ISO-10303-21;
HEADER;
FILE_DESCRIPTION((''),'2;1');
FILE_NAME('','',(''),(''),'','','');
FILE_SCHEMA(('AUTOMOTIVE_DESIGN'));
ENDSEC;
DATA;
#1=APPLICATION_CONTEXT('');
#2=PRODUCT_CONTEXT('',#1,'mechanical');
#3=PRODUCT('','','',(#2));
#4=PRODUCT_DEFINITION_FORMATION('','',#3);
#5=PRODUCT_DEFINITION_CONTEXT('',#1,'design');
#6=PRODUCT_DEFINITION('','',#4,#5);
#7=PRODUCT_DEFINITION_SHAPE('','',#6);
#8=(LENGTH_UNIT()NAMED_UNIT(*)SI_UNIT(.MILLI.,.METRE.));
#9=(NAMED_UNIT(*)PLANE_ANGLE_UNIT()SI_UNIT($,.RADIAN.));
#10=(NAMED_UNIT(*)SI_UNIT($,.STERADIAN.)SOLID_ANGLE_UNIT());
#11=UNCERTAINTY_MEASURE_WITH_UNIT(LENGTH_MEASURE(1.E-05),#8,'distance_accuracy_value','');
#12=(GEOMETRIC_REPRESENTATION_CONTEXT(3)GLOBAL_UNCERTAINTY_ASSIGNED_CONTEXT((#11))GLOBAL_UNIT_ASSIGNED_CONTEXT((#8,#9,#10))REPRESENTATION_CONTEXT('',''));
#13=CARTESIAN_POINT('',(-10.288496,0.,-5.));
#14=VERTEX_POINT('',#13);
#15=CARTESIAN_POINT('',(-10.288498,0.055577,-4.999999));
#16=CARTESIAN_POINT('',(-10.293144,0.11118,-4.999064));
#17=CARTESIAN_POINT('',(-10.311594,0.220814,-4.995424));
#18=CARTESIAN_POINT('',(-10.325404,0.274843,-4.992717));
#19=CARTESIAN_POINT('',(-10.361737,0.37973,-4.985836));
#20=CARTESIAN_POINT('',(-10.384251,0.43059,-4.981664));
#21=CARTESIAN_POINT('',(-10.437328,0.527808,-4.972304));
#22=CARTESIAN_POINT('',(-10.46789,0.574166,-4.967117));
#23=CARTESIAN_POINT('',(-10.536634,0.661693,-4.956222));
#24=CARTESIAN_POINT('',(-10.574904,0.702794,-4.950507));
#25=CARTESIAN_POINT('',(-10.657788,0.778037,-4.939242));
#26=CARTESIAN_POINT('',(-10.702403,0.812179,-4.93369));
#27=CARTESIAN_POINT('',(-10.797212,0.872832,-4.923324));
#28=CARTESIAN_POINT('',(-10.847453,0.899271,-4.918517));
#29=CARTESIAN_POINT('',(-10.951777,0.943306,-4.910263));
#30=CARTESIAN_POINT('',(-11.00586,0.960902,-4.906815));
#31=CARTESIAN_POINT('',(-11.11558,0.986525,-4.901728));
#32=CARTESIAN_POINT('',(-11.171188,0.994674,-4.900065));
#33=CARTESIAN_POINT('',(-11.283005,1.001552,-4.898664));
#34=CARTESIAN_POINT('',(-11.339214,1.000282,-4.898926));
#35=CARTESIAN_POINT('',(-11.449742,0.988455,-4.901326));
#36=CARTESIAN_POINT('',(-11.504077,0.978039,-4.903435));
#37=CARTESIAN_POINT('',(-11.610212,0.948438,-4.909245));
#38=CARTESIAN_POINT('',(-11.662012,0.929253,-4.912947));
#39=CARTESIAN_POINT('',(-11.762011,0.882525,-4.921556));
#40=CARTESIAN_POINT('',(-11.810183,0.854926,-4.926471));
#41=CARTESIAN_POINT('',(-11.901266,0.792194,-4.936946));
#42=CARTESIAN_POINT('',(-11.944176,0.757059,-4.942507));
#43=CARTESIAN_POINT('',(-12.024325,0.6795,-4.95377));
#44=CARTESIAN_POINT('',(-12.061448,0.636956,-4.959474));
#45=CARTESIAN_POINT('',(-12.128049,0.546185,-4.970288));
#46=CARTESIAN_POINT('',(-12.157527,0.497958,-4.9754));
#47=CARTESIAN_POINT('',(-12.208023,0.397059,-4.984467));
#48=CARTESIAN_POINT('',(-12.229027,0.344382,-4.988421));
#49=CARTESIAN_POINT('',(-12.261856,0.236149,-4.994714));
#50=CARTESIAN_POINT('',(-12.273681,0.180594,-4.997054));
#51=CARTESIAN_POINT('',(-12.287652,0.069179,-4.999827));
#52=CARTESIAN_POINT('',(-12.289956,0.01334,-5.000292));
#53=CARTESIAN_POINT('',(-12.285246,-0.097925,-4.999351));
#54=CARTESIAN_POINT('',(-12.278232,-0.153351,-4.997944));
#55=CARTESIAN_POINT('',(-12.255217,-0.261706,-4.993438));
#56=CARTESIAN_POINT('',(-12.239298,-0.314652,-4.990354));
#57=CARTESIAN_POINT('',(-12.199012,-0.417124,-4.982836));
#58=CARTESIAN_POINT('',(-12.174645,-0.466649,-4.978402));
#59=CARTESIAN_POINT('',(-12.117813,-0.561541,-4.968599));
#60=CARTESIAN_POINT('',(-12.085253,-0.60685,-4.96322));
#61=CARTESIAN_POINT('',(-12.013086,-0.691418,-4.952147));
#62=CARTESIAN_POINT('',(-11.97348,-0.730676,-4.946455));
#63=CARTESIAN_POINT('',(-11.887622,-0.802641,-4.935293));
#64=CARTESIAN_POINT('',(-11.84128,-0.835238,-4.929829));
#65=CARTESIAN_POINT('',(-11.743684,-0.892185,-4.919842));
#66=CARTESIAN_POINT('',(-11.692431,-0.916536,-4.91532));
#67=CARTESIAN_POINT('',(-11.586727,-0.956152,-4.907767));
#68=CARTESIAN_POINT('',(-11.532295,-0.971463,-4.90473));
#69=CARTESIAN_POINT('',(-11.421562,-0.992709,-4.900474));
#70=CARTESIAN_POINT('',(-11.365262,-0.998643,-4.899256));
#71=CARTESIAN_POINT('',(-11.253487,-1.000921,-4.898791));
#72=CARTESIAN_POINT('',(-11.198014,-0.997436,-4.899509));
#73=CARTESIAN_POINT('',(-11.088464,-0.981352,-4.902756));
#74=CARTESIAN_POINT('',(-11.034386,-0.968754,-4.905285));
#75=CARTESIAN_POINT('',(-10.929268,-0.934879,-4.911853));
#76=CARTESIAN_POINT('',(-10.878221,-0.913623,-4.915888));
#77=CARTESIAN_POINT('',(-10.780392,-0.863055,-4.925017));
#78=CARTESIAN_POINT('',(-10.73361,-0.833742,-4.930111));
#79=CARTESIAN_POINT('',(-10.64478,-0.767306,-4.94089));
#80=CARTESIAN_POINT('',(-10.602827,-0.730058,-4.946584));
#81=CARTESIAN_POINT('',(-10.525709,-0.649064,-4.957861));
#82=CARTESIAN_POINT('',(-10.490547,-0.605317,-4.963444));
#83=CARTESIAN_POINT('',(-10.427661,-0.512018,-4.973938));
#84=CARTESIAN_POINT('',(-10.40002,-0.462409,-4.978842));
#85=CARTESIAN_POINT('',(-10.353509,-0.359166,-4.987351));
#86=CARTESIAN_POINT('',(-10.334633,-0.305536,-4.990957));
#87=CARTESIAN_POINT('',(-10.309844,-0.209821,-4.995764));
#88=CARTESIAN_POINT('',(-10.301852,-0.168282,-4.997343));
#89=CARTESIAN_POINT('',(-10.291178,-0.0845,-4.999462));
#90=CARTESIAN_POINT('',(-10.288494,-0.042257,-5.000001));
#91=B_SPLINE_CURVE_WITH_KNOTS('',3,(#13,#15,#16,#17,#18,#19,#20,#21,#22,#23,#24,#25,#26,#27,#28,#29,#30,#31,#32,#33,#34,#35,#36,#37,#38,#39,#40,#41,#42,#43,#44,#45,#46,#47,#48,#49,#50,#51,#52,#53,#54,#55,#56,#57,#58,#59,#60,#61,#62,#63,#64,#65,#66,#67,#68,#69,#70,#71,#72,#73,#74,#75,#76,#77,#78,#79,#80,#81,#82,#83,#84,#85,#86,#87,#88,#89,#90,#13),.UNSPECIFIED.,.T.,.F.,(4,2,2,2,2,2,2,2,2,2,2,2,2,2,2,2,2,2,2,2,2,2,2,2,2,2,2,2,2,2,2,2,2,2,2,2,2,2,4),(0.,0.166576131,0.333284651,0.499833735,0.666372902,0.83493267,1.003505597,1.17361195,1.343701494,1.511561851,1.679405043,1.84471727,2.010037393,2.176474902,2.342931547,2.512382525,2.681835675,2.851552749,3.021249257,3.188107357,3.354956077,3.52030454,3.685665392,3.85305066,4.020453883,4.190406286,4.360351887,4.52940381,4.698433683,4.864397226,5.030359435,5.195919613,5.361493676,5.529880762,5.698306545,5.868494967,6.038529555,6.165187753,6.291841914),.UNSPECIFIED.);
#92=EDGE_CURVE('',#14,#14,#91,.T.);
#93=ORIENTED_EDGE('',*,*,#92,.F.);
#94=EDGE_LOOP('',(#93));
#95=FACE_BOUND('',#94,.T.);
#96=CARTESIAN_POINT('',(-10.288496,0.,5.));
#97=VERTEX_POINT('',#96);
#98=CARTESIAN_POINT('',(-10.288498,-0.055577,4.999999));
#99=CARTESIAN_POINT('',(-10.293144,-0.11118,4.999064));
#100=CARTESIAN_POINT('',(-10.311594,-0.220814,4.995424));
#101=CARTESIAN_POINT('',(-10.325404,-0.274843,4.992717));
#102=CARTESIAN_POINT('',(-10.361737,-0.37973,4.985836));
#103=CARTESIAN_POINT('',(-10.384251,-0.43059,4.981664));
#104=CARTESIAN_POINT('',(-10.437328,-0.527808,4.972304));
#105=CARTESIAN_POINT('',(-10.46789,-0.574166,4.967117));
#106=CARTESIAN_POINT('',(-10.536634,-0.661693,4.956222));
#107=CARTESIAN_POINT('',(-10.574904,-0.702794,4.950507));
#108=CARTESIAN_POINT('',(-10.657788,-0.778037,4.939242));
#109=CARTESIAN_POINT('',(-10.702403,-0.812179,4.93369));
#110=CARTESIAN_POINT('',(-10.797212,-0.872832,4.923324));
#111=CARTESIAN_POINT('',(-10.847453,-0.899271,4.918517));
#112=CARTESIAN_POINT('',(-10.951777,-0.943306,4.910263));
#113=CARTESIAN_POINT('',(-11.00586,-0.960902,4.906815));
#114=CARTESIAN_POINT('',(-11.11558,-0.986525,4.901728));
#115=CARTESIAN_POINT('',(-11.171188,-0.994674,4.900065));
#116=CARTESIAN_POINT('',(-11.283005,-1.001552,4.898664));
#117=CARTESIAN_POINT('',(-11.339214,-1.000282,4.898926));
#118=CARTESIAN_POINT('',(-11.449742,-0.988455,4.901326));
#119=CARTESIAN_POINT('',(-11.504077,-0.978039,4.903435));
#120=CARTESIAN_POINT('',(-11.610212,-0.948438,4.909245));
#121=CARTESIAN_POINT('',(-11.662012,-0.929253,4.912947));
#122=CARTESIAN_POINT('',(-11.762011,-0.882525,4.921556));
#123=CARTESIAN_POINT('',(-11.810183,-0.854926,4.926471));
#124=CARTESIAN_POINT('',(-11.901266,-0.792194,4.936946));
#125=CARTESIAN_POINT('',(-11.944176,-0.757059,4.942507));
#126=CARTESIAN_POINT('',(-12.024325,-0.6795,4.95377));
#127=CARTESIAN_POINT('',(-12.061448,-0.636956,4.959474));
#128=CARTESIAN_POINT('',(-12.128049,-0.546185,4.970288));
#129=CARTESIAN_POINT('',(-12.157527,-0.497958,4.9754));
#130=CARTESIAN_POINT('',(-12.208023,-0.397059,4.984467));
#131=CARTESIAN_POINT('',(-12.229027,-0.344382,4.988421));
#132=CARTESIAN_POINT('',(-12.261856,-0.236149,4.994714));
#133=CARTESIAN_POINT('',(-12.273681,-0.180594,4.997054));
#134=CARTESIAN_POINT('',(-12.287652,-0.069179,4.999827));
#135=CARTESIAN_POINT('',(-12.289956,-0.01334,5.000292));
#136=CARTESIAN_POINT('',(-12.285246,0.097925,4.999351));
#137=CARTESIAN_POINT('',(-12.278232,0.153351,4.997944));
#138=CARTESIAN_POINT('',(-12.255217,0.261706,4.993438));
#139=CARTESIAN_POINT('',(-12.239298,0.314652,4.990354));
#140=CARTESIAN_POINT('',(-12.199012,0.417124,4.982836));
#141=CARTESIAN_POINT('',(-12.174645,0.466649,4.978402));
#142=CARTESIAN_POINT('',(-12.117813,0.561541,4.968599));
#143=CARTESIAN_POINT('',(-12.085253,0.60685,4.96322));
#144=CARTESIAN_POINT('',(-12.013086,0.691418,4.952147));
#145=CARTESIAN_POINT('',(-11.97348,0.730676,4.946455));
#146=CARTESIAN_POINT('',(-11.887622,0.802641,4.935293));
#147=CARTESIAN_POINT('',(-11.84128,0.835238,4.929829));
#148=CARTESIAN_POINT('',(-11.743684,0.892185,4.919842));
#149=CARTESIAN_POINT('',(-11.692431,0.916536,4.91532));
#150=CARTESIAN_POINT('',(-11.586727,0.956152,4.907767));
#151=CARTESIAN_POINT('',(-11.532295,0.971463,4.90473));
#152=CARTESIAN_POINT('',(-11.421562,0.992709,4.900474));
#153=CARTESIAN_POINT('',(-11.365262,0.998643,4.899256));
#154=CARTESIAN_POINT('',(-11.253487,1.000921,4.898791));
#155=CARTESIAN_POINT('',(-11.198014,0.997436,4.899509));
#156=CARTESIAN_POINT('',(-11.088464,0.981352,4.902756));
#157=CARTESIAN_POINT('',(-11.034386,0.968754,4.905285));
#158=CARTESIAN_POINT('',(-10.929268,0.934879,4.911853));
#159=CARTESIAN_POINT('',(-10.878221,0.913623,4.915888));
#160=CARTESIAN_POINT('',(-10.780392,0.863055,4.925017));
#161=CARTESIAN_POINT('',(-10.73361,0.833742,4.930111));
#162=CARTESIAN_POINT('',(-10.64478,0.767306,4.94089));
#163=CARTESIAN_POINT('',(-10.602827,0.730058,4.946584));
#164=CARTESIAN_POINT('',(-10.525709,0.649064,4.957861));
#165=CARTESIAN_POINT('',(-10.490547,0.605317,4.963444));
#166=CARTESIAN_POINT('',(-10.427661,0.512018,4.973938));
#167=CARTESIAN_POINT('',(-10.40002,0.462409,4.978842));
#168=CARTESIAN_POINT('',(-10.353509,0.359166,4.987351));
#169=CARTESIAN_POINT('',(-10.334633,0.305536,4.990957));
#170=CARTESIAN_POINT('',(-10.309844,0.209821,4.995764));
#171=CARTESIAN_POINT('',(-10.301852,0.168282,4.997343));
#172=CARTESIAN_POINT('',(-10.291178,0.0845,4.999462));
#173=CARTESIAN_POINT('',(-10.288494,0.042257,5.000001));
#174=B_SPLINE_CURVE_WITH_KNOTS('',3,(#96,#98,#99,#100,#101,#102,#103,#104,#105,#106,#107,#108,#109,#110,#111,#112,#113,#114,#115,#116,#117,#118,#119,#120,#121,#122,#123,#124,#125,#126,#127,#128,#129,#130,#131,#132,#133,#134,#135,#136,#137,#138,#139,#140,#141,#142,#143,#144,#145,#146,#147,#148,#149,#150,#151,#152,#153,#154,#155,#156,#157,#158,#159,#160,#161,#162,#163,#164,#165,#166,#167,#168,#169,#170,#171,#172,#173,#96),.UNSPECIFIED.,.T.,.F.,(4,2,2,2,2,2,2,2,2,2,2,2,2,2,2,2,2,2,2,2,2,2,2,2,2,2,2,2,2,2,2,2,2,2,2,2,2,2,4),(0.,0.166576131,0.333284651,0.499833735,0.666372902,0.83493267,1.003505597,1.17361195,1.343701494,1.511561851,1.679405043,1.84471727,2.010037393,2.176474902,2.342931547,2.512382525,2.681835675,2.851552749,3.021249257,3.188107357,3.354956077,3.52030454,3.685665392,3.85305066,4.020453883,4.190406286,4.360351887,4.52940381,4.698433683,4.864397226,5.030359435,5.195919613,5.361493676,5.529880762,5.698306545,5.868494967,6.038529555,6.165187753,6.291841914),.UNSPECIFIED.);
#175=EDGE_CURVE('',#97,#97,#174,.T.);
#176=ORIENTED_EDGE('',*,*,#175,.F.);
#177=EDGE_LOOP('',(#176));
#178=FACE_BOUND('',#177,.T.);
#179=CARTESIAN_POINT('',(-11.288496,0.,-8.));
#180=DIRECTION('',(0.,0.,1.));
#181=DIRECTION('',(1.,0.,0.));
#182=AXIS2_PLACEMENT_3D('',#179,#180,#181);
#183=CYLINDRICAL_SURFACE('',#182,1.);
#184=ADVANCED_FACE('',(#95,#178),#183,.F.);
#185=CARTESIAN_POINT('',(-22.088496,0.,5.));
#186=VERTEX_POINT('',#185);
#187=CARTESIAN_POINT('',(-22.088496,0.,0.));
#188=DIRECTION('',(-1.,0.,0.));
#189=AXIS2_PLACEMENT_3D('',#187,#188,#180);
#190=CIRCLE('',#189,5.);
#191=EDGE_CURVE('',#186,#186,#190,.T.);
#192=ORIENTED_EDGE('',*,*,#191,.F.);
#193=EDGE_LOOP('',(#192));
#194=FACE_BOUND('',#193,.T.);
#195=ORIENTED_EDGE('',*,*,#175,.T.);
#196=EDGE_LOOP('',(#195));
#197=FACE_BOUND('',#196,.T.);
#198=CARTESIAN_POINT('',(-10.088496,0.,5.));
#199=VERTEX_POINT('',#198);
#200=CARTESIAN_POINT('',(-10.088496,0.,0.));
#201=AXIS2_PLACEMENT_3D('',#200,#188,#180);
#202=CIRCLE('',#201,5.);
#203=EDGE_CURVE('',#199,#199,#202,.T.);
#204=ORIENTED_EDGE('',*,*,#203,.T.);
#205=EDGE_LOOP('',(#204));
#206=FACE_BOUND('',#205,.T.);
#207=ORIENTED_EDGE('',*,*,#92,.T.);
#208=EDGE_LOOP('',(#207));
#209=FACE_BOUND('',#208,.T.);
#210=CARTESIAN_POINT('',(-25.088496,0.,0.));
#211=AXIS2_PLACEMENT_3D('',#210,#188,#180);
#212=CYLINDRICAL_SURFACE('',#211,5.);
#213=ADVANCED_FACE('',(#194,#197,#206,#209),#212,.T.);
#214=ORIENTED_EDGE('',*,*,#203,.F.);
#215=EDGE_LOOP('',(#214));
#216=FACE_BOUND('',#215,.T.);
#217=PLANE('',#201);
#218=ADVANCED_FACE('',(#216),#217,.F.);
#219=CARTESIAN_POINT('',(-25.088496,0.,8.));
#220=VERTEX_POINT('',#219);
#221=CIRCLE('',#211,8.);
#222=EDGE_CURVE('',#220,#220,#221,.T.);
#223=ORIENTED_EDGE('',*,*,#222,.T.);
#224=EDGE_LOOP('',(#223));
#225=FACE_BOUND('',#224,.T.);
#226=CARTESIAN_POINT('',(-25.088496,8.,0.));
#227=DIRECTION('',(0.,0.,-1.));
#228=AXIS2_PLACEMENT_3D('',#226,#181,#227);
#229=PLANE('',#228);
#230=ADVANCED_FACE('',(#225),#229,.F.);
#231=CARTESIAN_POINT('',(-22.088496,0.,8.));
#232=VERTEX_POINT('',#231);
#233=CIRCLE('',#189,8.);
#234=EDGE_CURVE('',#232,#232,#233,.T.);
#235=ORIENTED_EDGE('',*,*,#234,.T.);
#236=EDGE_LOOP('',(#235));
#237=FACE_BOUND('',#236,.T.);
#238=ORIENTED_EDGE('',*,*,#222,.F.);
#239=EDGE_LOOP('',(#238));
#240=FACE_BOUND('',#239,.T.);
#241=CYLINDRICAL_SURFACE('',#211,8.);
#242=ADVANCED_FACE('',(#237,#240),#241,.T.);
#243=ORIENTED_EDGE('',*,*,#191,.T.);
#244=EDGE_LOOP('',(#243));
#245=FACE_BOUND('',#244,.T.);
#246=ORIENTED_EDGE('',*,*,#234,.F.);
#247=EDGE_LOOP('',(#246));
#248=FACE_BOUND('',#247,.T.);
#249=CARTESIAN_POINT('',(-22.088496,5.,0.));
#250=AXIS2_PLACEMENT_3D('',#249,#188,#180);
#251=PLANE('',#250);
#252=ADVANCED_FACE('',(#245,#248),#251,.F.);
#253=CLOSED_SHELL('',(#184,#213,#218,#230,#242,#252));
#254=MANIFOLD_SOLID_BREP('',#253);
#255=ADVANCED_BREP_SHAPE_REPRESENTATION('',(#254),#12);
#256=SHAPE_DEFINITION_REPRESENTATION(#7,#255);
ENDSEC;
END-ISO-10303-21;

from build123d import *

# Parameters (mm, degrees)
SKETCH3_R               = 1
CUT_EXTRUDE1_DEPTH      = 9
CUT_EXTRUDE1_DEPTH_BACK = 9


with BuildPart() as part:
    # Sketch2 → Revolve1 (revolve)
    with BuildSketch(Plane.XY):
        Polygon((-25.088495575, 0), (-10.088495575, 0), (-10.088495575, 5), (-22.088495575, 5), (-22.088495575, 8), (-25.088495575, 8), align=None)
    revolve(axis=Axis((-25.088495575, 0, 0), (1, 0, 0)))

    # Sketch3 → Cut-Extrude1 (cut, two sides)
    with BuildSketch(Plane.XY) as cut_extrude1_sk:
        with Locations((-11.288495575, 0)):
            Circle(SKETCH3_R)
    extrude(amount=CUT_EXTRUDE1_DEPTH, mode=Mode.SUBTRACT)
    extrude(cut_extrude1_sk.sketch, amount=-CUT_EXTRUDE1_DEPTH_BACK, mode=Mode.SUBTRACT)


solid = part.part
